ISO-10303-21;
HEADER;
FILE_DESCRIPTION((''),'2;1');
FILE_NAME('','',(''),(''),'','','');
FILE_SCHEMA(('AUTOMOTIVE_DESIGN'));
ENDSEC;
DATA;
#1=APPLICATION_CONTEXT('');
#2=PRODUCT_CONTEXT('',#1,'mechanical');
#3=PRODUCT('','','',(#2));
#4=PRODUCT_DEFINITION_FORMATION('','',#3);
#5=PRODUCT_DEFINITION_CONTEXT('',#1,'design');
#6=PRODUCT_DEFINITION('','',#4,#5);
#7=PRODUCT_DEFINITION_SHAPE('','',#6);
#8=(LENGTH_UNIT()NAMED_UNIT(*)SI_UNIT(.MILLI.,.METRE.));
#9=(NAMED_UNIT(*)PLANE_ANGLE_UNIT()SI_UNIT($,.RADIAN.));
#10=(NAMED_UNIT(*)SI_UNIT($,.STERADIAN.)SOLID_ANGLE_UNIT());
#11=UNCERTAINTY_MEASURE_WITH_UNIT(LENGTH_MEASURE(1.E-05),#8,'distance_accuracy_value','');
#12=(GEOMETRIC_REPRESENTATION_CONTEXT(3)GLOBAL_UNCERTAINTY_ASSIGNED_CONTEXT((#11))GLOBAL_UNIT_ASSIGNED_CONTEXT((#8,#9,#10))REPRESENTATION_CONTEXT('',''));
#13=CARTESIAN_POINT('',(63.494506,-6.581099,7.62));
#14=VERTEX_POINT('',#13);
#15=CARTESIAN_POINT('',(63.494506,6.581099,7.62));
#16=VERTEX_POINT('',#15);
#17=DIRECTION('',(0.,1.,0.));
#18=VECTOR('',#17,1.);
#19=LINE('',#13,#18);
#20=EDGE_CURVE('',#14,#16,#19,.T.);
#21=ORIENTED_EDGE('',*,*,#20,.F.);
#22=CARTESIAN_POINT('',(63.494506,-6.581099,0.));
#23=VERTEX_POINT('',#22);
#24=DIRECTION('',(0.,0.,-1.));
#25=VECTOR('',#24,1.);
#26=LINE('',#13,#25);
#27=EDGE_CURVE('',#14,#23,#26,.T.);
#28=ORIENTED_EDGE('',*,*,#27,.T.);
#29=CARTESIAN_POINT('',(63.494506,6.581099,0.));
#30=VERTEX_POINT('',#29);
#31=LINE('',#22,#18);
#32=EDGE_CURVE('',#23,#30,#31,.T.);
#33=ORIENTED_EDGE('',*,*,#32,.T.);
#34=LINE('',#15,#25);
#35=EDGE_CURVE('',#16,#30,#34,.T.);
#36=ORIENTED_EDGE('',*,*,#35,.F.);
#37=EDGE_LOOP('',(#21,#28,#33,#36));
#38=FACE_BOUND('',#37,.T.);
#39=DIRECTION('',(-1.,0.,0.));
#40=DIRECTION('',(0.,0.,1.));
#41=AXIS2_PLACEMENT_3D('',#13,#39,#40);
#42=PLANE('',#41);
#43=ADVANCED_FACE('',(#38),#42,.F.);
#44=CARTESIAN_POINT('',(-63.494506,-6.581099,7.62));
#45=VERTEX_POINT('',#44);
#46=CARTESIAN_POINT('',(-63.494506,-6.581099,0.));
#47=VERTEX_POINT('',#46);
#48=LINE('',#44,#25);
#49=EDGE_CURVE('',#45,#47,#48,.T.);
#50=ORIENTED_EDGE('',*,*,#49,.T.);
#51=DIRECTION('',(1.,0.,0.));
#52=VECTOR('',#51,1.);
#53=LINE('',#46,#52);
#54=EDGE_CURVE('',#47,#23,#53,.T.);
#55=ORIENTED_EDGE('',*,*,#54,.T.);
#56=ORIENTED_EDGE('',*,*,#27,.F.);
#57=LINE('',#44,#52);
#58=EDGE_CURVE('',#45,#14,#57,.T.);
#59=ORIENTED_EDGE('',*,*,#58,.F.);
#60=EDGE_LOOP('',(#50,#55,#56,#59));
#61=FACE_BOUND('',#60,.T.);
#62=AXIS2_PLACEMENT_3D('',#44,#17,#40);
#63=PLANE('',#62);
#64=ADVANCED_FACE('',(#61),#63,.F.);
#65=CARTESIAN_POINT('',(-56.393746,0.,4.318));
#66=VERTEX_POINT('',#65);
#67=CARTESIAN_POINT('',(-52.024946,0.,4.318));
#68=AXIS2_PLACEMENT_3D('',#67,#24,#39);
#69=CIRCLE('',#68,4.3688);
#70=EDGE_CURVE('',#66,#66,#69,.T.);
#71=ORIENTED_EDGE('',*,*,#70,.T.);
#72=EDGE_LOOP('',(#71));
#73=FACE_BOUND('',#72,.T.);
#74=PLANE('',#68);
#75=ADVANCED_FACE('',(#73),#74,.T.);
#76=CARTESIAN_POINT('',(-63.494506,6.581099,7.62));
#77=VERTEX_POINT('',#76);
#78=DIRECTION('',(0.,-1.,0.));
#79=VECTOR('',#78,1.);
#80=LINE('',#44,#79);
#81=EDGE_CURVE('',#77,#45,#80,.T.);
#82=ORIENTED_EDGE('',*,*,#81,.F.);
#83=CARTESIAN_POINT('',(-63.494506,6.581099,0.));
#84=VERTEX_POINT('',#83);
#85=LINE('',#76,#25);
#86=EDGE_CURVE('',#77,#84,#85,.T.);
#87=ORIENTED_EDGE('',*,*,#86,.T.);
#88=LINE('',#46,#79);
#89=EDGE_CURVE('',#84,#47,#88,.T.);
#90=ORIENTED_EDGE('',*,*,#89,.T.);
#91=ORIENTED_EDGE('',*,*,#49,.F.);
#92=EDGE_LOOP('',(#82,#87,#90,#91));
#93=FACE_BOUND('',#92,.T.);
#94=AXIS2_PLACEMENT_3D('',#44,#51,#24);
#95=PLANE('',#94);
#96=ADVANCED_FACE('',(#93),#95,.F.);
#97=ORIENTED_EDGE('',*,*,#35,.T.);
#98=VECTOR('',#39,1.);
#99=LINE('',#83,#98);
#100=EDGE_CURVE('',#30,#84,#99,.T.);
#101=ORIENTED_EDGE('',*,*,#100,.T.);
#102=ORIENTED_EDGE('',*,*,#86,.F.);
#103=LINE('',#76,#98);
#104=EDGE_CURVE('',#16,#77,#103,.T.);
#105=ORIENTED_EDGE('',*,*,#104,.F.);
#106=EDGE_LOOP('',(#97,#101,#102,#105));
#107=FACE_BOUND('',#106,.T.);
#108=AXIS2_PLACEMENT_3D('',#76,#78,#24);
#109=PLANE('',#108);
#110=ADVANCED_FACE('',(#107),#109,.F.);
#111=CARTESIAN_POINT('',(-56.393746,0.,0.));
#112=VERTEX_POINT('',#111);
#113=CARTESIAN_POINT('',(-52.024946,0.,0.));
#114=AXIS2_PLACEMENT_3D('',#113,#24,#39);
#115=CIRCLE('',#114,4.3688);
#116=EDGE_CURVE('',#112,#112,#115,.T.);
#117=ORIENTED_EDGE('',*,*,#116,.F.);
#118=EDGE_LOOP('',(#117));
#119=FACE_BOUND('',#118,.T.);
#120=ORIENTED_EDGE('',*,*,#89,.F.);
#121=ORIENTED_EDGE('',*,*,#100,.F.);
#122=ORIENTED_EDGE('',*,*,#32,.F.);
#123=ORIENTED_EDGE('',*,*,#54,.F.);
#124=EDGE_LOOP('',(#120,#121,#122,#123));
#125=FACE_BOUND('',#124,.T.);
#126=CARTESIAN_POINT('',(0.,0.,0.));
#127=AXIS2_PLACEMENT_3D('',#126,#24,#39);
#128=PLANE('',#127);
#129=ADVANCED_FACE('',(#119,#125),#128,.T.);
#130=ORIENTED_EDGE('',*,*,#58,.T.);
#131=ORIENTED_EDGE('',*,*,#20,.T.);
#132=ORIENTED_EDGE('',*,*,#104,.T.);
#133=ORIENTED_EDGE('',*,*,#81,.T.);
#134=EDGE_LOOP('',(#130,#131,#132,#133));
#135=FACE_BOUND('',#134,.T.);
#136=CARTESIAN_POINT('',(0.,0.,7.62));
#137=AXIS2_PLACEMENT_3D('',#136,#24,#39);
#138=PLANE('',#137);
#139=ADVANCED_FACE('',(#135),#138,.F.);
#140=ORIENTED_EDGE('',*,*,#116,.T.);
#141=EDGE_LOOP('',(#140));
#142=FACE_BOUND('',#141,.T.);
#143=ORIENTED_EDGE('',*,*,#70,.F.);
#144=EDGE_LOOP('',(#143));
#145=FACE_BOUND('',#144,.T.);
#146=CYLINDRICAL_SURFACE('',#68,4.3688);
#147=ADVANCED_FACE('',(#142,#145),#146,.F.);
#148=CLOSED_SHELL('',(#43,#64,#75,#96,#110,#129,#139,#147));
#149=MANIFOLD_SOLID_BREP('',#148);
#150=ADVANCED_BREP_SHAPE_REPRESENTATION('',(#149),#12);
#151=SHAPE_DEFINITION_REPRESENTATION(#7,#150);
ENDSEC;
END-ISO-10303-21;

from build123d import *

# Parameters (mm, degrees)
SKETCH1_W           = 126.98901212
SKETCH1_H           = 13.162198744
BOSS_EXTRUDE1_DEPTH = 7.62
SKETCH2_R           = 4.3688
CUT_EXTRUDE1_DEPTH  = 4.318


with BuildPart() as part:
    # Sketch1 → Boss-Extrude1 (new body)
    with BuildSketch(Plane.XY):
        Rectangle(SKETCH1_W, SKETCH1_H)
    extrude(amount=BOSS_EXTRUDE1_DEPTH)

    # Sketch2 → Cut-Extrude1 (cut)
    with BuildSketch(Plane(origin=(0, 0, 0), x_dir=(-1, 0, 0), z_dir=(0, 0, -1))):
        with Locations((52.024946461, 0)):
            Circle(SKETCH2_R)
    extrude(amount=-CUT_EXTRUDE1_DEPTH, mode=Mode.SUBTRACT)


solid = part.part
